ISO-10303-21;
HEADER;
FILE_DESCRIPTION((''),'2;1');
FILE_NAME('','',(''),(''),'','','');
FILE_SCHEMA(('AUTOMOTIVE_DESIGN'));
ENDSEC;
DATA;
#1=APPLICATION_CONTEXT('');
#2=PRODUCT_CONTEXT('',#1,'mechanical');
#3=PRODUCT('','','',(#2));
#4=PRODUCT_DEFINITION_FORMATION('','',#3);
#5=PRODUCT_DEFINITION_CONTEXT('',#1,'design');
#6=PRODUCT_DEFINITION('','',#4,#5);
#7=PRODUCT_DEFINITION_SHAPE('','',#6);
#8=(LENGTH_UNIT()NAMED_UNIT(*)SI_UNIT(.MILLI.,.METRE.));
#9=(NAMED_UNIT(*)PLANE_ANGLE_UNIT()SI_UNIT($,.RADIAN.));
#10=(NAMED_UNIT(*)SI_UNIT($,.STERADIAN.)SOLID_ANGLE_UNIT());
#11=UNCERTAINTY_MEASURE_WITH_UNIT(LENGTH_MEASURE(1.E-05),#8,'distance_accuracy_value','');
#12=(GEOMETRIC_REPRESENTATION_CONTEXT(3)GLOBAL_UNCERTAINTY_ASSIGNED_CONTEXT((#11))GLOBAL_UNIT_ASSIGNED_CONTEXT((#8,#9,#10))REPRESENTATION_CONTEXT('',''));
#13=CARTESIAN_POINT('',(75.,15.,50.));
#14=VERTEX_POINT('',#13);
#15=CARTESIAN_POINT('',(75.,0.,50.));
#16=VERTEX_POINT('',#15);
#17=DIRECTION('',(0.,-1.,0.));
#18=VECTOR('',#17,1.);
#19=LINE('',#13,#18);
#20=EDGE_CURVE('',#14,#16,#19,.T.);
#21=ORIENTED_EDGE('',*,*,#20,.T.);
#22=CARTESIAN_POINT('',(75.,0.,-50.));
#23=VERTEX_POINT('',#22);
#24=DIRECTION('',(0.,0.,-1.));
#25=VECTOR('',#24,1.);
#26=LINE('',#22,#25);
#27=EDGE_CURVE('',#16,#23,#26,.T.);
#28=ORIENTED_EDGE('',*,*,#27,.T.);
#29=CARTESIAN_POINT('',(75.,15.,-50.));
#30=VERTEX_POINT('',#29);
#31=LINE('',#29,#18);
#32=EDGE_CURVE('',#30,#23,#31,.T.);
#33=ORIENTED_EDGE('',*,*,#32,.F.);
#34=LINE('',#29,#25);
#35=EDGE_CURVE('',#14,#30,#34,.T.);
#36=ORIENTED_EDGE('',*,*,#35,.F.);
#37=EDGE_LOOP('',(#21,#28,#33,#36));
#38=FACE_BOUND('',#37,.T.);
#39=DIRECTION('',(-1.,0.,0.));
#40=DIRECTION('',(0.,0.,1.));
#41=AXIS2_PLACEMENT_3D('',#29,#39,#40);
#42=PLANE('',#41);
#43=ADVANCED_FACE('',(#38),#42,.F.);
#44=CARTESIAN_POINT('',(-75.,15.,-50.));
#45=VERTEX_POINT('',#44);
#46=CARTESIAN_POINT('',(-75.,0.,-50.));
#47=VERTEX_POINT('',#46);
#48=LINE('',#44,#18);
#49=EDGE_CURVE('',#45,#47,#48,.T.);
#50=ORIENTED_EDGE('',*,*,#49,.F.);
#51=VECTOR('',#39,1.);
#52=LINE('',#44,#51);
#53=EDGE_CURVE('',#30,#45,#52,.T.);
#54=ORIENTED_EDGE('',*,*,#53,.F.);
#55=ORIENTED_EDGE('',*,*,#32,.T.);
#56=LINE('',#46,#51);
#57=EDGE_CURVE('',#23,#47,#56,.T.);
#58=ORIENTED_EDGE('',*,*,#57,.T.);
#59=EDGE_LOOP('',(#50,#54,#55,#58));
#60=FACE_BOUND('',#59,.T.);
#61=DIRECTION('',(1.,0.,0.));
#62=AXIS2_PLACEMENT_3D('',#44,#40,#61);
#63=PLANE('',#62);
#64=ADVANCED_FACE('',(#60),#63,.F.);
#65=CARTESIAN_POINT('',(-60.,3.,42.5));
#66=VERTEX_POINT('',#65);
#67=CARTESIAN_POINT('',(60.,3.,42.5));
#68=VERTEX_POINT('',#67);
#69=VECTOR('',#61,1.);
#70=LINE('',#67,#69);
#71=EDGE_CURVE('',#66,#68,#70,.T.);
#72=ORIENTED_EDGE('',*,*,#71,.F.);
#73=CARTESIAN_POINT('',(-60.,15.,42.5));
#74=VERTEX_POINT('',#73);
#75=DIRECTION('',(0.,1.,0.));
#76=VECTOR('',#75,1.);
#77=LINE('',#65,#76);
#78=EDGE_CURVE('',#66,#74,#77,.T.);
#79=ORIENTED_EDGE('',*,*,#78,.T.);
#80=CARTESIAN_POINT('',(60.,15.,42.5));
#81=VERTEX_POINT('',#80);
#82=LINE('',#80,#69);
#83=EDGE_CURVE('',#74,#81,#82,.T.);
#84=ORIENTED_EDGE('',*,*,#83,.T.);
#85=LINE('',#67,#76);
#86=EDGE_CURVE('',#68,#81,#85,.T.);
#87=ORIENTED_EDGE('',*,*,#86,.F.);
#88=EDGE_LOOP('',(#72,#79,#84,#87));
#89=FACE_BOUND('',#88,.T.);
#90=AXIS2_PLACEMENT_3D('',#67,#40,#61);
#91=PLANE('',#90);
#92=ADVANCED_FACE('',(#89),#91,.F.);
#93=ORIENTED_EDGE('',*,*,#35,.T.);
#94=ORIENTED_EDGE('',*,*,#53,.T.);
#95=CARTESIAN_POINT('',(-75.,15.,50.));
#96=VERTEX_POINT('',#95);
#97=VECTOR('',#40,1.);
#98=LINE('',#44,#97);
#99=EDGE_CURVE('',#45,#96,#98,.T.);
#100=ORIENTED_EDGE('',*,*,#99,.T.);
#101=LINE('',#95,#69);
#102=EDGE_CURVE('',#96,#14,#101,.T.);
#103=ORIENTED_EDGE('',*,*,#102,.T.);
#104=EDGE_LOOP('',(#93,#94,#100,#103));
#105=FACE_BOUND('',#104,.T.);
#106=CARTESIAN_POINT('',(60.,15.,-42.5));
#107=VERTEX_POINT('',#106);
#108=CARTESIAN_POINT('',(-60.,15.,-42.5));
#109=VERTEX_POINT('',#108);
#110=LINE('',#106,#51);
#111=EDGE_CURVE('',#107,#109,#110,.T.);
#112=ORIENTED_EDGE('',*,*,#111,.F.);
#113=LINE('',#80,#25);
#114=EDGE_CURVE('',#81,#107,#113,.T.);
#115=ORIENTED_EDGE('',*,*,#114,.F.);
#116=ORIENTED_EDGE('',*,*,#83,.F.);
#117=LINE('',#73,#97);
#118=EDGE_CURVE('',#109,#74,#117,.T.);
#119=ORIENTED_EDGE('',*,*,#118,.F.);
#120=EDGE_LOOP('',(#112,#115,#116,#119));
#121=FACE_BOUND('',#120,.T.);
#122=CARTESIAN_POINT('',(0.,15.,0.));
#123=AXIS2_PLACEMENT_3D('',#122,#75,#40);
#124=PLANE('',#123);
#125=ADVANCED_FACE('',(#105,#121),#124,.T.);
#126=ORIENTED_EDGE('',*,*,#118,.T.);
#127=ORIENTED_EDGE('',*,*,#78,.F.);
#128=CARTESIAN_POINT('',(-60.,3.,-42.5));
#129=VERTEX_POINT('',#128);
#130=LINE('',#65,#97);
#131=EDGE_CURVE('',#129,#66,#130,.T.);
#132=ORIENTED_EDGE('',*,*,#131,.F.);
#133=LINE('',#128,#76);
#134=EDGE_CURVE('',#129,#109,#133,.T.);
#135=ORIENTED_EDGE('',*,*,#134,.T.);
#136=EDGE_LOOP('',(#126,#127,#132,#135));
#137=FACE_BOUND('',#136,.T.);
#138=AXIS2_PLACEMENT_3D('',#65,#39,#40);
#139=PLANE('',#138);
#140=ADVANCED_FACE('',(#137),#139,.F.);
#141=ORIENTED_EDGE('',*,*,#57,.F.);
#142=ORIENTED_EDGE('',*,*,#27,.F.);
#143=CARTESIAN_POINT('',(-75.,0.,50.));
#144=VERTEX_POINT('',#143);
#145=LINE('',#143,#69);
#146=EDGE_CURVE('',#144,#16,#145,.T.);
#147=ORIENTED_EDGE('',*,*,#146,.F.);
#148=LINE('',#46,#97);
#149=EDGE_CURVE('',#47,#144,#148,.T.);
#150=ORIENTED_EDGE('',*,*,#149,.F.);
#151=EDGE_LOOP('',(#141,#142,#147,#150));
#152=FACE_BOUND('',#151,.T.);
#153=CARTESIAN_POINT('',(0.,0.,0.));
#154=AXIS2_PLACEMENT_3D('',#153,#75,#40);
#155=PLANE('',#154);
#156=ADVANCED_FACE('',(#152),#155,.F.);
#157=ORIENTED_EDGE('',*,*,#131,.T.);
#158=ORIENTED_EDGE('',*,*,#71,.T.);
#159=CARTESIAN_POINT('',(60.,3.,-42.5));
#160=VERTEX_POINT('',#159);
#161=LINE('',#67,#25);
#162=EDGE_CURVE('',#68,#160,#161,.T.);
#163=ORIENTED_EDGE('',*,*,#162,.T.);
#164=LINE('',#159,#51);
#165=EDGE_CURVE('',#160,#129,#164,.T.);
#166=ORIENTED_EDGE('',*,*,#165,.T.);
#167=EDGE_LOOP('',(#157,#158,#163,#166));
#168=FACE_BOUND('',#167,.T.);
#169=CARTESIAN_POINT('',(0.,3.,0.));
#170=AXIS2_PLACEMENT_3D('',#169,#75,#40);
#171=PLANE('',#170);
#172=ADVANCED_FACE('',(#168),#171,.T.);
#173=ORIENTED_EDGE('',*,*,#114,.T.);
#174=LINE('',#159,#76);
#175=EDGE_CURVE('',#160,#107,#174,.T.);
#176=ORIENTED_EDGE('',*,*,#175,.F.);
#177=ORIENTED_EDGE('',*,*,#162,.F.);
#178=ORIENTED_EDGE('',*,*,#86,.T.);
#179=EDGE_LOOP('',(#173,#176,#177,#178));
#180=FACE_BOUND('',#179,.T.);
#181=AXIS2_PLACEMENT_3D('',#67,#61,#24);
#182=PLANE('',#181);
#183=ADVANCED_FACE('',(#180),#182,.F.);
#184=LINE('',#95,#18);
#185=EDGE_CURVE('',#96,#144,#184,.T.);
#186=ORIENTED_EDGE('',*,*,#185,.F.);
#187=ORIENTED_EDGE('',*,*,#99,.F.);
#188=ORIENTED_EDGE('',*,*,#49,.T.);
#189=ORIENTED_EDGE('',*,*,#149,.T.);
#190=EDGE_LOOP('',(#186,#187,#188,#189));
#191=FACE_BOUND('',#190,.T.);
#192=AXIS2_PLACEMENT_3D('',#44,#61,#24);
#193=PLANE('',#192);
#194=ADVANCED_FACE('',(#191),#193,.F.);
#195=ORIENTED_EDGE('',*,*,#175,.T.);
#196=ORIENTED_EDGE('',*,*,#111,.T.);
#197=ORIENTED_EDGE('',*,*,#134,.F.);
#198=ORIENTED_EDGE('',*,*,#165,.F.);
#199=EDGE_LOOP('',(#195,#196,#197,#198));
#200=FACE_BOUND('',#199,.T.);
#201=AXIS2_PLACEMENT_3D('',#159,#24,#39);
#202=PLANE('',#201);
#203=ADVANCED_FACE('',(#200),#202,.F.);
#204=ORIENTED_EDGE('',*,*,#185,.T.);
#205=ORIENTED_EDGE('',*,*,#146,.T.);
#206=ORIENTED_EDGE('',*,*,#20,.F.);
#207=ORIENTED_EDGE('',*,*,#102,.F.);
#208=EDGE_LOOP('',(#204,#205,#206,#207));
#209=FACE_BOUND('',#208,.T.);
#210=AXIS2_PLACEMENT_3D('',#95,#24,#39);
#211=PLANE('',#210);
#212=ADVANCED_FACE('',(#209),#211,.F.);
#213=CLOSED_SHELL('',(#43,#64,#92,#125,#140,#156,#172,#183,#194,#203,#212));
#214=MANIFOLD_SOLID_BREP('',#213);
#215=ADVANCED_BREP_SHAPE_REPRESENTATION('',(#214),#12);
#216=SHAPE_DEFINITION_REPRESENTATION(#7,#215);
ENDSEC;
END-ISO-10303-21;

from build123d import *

# Parameters (mm, degrees)
SKETCH_1_W          = 150
SKETCH_1_H          = 100
EXTRUDE_1_DEPTH     = 15
SKETCH_2_W          = 120
SKETCH_2_H          = 85
CUT_EXTRUDE_1_DEPTH = 12


with BuildPart() as part:
    # Эскиз1 → Бобышка-Вытянуть1 (new body)
    with BuildSketch(Plane(origin=(0, 0, 0), x_dir=(1, 0, 0), z_dir=(0, 1, 0))):
        Rectangle(SKETCH_1_W, SKETCH_1_H)
    extrude(amount=EXTRUDE_1_DEPTH)

    # Эскиз2 → Вырез-Вытянуть1 (cut)
    with BuildSketch(Plane(origin=(0, 15, 0), x_dir=(1, 0, 0), z_dir=(0, 1, 0))):
        Rectangle(SKETCH_2_W, SKETCH_2_H)
    extrude(amount=-CUT_EXTRUDE_1_DEPTH, mode=Mode.SUBTRACT)


solid = part.part
